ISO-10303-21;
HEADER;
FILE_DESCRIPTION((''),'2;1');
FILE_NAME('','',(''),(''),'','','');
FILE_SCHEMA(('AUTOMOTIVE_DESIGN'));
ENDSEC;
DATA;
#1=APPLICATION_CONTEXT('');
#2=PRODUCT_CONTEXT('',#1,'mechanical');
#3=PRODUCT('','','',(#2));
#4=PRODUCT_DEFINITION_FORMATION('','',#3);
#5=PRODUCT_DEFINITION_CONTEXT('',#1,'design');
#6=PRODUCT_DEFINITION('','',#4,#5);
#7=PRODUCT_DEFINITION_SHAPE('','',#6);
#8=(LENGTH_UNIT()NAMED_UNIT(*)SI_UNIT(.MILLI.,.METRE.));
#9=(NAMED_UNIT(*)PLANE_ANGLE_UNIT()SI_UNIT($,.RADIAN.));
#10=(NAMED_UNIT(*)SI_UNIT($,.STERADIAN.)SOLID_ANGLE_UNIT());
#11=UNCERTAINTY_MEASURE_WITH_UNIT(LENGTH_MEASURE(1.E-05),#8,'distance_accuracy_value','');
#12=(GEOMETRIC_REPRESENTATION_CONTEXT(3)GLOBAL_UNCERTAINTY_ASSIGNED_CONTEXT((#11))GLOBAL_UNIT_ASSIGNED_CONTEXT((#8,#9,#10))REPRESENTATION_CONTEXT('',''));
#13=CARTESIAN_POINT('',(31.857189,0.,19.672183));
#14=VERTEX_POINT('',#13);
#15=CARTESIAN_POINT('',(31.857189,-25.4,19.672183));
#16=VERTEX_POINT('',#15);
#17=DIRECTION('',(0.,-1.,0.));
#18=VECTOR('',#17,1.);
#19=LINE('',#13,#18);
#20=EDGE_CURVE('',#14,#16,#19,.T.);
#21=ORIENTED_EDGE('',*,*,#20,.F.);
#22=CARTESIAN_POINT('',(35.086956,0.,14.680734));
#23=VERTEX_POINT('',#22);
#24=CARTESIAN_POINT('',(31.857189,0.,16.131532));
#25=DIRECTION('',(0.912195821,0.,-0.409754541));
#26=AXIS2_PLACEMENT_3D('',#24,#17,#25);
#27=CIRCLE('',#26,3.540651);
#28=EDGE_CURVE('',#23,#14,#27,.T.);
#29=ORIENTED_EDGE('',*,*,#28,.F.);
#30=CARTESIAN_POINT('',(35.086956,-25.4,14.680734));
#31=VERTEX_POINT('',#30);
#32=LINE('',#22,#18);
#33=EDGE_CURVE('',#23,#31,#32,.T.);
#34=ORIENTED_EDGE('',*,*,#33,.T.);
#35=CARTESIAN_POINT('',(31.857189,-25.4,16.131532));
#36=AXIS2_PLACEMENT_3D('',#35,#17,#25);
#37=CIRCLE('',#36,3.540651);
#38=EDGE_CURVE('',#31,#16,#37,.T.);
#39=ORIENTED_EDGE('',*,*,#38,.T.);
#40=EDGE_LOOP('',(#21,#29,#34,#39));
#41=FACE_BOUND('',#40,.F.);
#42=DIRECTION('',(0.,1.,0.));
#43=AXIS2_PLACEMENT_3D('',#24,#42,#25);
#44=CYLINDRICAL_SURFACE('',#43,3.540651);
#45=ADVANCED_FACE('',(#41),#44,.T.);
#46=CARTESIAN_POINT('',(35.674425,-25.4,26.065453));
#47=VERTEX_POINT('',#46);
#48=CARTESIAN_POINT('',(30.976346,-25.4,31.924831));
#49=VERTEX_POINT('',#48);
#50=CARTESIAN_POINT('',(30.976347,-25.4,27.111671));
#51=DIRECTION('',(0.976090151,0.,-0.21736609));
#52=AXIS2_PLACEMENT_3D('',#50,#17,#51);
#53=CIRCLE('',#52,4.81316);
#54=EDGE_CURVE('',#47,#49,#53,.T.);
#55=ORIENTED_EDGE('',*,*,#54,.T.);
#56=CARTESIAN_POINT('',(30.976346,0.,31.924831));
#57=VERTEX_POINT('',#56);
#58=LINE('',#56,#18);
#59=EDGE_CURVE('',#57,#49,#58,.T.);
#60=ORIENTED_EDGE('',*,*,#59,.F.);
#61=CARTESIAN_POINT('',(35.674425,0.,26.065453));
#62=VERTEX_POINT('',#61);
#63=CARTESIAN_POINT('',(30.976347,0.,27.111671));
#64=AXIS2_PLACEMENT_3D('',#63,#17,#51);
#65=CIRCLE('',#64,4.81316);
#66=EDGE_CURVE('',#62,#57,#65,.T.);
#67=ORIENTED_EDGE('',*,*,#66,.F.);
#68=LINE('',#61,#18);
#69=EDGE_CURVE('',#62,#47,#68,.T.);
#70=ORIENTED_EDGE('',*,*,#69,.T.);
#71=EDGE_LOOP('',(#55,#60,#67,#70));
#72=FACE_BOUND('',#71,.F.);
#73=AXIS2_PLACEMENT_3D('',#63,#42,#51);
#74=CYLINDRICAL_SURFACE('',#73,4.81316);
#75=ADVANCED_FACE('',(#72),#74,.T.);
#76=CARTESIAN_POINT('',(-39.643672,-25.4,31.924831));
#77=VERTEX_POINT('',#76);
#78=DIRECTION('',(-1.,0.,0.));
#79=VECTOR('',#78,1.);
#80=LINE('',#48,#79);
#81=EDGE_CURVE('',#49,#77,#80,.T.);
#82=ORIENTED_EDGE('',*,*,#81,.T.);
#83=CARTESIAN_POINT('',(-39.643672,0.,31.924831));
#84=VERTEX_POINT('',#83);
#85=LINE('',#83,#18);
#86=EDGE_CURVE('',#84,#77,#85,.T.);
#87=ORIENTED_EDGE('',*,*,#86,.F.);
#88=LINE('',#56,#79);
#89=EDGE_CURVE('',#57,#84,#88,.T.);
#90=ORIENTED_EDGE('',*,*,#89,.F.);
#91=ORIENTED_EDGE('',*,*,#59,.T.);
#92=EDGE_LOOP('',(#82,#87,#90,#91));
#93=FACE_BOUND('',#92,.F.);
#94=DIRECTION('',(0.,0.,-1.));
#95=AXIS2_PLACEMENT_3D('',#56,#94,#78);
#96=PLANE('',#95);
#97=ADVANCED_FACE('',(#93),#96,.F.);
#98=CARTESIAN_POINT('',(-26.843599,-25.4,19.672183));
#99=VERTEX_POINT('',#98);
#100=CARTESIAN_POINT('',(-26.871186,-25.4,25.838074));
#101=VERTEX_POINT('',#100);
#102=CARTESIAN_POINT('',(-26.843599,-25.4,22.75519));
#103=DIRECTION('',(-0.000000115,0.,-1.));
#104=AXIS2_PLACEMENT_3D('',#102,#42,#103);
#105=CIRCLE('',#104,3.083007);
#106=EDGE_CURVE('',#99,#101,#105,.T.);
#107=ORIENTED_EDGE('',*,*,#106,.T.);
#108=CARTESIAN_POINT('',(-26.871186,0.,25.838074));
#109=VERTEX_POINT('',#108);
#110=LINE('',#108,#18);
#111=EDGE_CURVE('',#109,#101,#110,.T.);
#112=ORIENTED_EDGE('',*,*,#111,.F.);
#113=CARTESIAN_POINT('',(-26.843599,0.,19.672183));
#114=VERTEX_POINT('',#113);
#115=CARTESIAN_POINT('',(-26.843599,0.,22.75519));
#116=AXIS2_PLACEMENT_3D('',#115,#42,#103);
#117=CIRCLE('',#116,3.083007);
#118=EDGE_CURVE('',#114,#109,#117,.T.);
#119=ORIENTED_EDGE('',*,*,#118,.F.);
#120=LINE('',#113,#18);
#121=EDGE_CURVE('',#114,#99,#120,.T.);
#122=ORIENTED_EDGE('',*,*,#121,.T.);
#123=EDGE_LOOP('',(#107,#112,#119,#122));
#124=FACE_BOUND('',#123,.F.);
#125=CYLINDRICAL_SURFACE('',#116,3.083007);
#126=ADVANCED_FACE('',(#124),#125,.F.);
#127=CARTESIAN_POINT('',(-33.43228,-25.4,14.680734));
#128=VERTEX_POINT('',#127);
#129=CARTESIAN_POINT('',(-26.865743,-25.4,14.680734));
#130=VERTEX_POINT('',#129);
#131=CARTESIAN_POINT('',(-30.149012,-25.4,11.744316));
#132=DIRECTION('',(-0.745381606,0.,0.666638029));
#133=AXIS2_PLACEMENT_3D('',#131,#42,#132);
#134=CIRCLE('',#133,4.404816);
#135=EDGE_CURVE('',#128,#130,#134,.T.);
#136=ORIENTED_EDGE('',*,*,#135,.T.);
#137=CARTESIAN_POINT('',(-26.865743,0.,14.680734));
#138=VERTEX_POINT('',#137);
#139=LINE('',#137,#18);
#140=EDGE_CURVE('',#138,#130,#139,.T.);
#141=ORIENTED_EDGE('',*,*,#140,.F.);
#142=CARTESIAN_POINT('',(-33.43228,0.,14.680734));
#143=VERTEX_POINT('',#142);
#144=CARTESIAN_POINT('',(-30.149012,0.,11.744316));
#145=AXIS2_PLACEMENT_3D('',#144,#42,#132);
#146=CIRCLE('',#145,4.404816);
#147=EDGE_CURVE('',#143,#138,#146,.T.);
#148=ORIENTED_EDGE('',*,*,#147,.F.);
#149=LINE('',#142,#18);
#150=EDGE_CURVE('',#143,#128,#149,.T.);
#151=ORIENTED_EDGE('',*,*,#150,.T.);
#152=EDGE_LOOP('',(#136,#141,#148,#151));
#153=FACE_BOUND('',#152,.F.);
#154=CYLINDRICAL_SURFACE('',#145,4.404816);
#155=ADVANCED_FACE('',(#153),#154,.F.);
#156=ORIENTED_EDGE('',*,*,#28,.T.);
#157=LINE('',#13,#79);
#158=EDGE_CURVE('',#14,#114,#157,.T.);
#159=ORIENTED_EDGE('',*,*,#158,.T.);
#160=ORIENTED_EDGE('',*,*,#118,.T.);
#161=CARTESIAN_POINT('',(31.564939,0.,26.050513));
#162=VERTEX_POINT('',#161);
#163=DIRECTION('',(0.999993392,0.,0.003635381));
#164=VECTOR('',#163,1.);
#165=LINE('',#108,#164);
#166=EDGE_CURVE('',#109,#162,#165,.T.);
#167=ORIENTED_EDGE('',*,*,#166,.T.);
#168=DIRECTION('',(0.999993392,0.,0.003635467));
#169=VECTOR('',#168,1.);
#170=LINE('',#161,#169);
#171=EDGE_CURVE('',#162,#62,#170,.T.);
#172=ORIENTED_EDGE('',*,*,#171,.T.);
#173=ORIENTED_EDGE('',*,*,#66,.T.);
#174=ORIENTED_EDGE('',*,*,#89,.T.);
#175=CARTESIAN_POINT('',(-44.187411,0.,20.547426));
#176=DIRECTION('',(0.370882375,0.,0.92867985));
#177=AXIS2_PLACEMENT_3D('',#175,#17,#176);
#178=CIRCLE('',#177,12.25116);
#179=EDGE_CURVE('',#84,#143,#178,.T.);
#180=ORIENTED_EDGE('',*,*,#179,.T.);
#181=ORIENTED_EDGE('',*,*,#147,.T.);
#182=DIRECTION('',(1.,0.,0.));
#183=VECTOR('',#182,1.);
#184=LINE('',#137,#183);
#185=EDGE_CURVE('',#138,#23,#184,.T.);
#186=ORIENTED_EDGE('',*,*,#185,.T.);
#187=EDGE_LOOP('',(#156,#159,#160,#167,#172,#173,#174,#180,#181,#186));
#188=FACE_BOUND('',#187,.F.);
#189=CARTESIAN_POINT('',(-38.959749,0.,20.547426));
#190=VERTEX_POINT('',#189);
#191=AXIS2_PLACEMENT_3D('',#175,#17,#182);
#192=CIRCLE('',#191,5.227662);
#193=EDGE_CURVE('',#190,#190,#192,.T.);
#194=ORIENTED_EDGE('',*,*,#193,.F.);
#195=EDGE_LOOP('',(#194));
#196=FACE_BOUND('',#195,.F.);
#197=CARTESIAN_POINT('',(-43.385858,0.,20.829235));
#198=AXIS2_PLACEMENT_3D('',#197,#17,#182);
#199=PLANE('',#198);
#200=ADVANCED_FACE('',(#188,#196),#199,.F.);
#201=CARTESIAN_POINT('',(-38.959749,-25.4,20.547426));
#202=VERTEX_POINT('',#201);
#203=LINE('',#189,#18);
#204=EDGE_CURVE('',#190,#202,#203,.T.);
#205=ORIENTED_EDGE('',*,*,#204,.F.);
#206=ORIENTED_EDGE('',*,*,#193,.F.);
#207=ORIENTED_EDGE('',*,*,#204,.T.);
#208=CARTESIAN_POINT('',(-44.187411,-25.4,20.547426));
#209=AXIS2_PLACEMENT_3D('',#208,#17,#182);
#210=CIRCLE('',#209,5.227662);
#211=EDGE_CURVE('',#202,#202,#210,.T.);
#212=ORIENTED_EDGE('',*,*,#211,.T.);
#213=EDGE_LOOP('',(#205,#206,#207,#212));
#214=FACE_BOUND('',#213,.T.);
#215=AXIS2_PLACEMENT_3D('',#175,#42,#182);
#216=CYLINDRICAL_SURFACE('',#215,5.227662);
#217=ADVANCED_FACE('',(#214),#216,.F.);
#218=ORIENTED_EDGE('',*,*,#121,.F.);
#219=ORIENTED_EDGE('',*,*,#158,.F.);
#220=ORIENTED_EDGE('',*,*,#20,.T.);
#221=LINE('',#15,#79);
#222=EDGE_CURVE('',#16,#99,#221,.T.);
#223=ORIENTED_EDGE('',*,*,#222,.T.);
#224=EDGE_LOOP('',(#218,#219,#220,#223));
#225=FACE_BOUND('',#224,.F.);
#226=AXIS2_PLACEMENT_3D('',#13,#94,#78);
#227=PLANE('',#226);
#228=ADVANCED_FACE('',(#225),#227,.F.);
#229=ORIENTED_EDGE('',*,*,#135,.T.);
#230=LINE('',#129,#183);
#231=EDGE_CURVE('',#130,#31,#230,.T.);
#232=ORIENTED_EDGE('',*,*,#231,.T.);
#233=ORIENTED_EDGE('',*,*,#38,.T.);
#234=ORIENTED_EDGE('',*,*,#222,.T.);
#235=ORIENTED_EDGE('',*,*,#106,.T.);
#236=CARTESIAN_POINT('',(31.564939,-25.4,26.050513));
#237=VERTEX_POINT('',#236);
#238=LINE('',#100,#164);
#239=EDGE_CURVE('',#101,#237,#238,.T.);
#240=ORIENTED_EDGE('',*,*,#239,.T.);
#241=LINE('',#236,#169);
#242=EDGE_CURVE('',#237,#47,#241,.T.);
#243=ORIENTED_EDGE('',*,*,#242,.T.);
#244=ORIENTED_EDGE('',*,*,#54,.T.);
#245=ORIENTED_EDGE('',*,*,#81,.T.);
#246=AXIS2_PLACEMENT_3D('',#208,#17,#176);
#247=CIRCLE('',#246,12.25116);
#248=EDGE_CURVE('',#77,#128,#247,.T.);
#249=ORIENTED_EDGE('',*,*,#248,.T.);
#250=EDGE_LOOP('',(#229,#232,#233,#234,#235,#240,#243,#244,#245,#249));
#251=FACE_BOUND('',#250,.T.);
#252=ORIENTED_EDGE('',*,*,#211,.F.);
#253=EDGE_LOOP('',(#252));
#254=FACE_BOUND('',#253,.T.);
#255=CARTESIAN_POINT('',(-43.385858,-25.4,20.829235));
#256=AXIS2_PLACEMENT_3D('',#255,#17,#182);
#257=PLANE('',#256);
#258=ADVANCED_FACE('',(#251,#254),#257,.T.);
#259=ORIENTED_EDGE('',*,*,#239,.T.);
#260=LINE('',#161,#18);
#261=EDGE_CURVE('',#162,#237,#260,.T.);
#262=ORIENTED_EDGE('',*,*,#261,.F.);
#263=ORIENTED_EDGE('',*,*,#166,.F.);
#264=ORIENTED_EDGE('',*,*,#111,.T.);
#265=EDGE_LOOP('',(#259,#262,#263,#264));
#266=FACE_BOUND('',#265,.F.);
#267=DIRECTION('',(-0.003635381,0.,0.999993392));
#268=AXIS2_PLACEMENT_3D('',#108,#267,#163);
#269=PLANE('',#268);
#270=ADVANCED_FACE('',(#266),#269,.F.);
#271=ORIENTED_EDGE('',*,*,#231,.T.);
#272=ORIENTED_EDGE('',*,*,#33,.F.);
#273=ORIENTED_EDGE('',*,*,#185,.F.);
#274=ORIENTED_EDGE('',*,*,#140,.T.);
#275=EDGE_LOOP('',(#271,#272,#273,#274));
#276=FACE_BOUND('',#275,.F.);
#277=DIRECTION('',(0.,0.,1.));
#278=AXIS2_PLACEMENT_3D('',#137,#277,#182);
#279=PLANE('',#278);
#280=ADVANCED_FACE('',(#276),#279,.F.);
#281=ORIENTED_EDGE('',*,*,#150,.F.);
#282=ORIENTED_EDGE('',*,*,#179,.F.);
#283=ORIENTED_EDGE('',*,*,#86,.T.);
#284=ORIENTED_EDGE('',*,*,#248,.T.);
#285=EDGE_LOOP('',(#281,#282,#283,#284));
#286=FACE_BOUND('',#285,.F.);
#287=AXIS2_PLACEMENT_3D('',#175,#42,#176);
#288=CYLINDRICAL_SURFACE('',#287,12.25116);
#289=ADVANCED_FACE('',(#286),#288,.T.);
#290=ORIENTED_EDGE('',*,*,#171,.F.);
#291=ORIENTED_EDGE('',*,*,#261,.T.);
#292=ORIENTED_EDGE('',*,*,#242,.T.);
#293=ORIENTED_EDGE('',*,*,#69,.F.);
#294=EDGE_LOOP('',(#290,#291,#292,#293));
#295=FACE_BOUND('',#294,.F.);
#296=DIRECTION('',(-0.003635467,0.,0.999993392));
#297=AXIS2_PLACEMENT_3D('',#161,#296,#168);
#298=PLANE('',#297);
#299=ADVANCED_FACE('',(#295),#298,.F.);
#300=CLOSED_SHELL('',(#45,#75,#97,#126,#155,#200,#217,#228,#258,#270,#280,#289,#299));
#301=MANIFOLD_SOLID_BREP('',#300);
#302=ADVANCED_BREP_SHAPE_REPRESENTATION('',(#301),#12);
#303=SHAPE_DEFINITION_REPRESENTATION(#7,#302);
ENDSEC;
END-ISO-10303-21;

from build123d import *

# Parameters (mm, degrees)
F0_R     = 5.227662
F1_DEPTH = 25.4


with BuildPart() as f1:
    # F0 (on Front) → F1 (new body)
    with BuildSketch(Plane.XZ):
        with BuildLine():
            ThreePointArc((-33.43228, 14.680734), (-32.316148, 17.520209), (-31.936251, 20.547426))
            ThreePointArc((-31.936251, 20.547426), (-32.028173, 22.045374), (-32.302559, 23.520844))
            ThreePointArc((-32.302559, 23.520844), (-34.960743, 28.607173), (-39.643672, 31.924831))
            ThreePointArc((-39.643672, 31.924831), (-55.713624, 16.395638), (-33.43228, 14.680734))
        make_face()
        with Locations((-44.187411, 20.547426)):
            Circle(F0_R, mode=Mode.SUBTRACT)
        with BuildLine():
            ThreePointArc((-32.302559, 23.520844), (-32.028173, 22.045374), (-31.936251, 20.547426))
            ThreePointArc((-31.936251, 20.547426), (-32.316148, 17.520209), (-33.43228, 14.680734))
            ThreePointArc((-33.43228, 14.680734), (-30.149011, 16.149132), (-26.865743, 14.680734))
            Line((-26.865743, 14.680734), (32.150805, 14.680734))
            Line((32.150805, 14.680734), (35.086956, 14.680734))
            ThreePointArc((35.086956, 14.680734), (34.829812, 18.054998), (31.857189, 19.672183))
            Line((31.857189, 19.672183), (-26.843599, 19.672183))
            ThreePointArc((-26.843599, 19.672183), (-29.926575, 22.741396), (-26.871186, 25.838074))
            ThreePointArc((-26.871186, 25.838074), (-29.821507, 25.229421), (-32.302559, 23.520844))
        make_face()
        with BuildLine():
            ThreePointArc((-39.643672, 31.924831), (-34.960743, 28.607173), (-32.302559, 23.520844))
            ThreePointArc((-32.302559, 23.520844), (-29.821507, 25.229421), (-26.871186, 25.838074))
            Line((-26.871186, 25.838074), (31.564939, 26.050513))
            Line((31.564939, 26.050513), (35.674425, 26.065453))
            ThreePointArc((35.674425, 26.065453), (34.731485, 30.122559), (30.976346, 31.924831))
            Line((30.976346, 31.924831), (-39.643672, 31.924831))
        make_face()
    extrude(amount=F1_DEPTH)


solid = f1.part
